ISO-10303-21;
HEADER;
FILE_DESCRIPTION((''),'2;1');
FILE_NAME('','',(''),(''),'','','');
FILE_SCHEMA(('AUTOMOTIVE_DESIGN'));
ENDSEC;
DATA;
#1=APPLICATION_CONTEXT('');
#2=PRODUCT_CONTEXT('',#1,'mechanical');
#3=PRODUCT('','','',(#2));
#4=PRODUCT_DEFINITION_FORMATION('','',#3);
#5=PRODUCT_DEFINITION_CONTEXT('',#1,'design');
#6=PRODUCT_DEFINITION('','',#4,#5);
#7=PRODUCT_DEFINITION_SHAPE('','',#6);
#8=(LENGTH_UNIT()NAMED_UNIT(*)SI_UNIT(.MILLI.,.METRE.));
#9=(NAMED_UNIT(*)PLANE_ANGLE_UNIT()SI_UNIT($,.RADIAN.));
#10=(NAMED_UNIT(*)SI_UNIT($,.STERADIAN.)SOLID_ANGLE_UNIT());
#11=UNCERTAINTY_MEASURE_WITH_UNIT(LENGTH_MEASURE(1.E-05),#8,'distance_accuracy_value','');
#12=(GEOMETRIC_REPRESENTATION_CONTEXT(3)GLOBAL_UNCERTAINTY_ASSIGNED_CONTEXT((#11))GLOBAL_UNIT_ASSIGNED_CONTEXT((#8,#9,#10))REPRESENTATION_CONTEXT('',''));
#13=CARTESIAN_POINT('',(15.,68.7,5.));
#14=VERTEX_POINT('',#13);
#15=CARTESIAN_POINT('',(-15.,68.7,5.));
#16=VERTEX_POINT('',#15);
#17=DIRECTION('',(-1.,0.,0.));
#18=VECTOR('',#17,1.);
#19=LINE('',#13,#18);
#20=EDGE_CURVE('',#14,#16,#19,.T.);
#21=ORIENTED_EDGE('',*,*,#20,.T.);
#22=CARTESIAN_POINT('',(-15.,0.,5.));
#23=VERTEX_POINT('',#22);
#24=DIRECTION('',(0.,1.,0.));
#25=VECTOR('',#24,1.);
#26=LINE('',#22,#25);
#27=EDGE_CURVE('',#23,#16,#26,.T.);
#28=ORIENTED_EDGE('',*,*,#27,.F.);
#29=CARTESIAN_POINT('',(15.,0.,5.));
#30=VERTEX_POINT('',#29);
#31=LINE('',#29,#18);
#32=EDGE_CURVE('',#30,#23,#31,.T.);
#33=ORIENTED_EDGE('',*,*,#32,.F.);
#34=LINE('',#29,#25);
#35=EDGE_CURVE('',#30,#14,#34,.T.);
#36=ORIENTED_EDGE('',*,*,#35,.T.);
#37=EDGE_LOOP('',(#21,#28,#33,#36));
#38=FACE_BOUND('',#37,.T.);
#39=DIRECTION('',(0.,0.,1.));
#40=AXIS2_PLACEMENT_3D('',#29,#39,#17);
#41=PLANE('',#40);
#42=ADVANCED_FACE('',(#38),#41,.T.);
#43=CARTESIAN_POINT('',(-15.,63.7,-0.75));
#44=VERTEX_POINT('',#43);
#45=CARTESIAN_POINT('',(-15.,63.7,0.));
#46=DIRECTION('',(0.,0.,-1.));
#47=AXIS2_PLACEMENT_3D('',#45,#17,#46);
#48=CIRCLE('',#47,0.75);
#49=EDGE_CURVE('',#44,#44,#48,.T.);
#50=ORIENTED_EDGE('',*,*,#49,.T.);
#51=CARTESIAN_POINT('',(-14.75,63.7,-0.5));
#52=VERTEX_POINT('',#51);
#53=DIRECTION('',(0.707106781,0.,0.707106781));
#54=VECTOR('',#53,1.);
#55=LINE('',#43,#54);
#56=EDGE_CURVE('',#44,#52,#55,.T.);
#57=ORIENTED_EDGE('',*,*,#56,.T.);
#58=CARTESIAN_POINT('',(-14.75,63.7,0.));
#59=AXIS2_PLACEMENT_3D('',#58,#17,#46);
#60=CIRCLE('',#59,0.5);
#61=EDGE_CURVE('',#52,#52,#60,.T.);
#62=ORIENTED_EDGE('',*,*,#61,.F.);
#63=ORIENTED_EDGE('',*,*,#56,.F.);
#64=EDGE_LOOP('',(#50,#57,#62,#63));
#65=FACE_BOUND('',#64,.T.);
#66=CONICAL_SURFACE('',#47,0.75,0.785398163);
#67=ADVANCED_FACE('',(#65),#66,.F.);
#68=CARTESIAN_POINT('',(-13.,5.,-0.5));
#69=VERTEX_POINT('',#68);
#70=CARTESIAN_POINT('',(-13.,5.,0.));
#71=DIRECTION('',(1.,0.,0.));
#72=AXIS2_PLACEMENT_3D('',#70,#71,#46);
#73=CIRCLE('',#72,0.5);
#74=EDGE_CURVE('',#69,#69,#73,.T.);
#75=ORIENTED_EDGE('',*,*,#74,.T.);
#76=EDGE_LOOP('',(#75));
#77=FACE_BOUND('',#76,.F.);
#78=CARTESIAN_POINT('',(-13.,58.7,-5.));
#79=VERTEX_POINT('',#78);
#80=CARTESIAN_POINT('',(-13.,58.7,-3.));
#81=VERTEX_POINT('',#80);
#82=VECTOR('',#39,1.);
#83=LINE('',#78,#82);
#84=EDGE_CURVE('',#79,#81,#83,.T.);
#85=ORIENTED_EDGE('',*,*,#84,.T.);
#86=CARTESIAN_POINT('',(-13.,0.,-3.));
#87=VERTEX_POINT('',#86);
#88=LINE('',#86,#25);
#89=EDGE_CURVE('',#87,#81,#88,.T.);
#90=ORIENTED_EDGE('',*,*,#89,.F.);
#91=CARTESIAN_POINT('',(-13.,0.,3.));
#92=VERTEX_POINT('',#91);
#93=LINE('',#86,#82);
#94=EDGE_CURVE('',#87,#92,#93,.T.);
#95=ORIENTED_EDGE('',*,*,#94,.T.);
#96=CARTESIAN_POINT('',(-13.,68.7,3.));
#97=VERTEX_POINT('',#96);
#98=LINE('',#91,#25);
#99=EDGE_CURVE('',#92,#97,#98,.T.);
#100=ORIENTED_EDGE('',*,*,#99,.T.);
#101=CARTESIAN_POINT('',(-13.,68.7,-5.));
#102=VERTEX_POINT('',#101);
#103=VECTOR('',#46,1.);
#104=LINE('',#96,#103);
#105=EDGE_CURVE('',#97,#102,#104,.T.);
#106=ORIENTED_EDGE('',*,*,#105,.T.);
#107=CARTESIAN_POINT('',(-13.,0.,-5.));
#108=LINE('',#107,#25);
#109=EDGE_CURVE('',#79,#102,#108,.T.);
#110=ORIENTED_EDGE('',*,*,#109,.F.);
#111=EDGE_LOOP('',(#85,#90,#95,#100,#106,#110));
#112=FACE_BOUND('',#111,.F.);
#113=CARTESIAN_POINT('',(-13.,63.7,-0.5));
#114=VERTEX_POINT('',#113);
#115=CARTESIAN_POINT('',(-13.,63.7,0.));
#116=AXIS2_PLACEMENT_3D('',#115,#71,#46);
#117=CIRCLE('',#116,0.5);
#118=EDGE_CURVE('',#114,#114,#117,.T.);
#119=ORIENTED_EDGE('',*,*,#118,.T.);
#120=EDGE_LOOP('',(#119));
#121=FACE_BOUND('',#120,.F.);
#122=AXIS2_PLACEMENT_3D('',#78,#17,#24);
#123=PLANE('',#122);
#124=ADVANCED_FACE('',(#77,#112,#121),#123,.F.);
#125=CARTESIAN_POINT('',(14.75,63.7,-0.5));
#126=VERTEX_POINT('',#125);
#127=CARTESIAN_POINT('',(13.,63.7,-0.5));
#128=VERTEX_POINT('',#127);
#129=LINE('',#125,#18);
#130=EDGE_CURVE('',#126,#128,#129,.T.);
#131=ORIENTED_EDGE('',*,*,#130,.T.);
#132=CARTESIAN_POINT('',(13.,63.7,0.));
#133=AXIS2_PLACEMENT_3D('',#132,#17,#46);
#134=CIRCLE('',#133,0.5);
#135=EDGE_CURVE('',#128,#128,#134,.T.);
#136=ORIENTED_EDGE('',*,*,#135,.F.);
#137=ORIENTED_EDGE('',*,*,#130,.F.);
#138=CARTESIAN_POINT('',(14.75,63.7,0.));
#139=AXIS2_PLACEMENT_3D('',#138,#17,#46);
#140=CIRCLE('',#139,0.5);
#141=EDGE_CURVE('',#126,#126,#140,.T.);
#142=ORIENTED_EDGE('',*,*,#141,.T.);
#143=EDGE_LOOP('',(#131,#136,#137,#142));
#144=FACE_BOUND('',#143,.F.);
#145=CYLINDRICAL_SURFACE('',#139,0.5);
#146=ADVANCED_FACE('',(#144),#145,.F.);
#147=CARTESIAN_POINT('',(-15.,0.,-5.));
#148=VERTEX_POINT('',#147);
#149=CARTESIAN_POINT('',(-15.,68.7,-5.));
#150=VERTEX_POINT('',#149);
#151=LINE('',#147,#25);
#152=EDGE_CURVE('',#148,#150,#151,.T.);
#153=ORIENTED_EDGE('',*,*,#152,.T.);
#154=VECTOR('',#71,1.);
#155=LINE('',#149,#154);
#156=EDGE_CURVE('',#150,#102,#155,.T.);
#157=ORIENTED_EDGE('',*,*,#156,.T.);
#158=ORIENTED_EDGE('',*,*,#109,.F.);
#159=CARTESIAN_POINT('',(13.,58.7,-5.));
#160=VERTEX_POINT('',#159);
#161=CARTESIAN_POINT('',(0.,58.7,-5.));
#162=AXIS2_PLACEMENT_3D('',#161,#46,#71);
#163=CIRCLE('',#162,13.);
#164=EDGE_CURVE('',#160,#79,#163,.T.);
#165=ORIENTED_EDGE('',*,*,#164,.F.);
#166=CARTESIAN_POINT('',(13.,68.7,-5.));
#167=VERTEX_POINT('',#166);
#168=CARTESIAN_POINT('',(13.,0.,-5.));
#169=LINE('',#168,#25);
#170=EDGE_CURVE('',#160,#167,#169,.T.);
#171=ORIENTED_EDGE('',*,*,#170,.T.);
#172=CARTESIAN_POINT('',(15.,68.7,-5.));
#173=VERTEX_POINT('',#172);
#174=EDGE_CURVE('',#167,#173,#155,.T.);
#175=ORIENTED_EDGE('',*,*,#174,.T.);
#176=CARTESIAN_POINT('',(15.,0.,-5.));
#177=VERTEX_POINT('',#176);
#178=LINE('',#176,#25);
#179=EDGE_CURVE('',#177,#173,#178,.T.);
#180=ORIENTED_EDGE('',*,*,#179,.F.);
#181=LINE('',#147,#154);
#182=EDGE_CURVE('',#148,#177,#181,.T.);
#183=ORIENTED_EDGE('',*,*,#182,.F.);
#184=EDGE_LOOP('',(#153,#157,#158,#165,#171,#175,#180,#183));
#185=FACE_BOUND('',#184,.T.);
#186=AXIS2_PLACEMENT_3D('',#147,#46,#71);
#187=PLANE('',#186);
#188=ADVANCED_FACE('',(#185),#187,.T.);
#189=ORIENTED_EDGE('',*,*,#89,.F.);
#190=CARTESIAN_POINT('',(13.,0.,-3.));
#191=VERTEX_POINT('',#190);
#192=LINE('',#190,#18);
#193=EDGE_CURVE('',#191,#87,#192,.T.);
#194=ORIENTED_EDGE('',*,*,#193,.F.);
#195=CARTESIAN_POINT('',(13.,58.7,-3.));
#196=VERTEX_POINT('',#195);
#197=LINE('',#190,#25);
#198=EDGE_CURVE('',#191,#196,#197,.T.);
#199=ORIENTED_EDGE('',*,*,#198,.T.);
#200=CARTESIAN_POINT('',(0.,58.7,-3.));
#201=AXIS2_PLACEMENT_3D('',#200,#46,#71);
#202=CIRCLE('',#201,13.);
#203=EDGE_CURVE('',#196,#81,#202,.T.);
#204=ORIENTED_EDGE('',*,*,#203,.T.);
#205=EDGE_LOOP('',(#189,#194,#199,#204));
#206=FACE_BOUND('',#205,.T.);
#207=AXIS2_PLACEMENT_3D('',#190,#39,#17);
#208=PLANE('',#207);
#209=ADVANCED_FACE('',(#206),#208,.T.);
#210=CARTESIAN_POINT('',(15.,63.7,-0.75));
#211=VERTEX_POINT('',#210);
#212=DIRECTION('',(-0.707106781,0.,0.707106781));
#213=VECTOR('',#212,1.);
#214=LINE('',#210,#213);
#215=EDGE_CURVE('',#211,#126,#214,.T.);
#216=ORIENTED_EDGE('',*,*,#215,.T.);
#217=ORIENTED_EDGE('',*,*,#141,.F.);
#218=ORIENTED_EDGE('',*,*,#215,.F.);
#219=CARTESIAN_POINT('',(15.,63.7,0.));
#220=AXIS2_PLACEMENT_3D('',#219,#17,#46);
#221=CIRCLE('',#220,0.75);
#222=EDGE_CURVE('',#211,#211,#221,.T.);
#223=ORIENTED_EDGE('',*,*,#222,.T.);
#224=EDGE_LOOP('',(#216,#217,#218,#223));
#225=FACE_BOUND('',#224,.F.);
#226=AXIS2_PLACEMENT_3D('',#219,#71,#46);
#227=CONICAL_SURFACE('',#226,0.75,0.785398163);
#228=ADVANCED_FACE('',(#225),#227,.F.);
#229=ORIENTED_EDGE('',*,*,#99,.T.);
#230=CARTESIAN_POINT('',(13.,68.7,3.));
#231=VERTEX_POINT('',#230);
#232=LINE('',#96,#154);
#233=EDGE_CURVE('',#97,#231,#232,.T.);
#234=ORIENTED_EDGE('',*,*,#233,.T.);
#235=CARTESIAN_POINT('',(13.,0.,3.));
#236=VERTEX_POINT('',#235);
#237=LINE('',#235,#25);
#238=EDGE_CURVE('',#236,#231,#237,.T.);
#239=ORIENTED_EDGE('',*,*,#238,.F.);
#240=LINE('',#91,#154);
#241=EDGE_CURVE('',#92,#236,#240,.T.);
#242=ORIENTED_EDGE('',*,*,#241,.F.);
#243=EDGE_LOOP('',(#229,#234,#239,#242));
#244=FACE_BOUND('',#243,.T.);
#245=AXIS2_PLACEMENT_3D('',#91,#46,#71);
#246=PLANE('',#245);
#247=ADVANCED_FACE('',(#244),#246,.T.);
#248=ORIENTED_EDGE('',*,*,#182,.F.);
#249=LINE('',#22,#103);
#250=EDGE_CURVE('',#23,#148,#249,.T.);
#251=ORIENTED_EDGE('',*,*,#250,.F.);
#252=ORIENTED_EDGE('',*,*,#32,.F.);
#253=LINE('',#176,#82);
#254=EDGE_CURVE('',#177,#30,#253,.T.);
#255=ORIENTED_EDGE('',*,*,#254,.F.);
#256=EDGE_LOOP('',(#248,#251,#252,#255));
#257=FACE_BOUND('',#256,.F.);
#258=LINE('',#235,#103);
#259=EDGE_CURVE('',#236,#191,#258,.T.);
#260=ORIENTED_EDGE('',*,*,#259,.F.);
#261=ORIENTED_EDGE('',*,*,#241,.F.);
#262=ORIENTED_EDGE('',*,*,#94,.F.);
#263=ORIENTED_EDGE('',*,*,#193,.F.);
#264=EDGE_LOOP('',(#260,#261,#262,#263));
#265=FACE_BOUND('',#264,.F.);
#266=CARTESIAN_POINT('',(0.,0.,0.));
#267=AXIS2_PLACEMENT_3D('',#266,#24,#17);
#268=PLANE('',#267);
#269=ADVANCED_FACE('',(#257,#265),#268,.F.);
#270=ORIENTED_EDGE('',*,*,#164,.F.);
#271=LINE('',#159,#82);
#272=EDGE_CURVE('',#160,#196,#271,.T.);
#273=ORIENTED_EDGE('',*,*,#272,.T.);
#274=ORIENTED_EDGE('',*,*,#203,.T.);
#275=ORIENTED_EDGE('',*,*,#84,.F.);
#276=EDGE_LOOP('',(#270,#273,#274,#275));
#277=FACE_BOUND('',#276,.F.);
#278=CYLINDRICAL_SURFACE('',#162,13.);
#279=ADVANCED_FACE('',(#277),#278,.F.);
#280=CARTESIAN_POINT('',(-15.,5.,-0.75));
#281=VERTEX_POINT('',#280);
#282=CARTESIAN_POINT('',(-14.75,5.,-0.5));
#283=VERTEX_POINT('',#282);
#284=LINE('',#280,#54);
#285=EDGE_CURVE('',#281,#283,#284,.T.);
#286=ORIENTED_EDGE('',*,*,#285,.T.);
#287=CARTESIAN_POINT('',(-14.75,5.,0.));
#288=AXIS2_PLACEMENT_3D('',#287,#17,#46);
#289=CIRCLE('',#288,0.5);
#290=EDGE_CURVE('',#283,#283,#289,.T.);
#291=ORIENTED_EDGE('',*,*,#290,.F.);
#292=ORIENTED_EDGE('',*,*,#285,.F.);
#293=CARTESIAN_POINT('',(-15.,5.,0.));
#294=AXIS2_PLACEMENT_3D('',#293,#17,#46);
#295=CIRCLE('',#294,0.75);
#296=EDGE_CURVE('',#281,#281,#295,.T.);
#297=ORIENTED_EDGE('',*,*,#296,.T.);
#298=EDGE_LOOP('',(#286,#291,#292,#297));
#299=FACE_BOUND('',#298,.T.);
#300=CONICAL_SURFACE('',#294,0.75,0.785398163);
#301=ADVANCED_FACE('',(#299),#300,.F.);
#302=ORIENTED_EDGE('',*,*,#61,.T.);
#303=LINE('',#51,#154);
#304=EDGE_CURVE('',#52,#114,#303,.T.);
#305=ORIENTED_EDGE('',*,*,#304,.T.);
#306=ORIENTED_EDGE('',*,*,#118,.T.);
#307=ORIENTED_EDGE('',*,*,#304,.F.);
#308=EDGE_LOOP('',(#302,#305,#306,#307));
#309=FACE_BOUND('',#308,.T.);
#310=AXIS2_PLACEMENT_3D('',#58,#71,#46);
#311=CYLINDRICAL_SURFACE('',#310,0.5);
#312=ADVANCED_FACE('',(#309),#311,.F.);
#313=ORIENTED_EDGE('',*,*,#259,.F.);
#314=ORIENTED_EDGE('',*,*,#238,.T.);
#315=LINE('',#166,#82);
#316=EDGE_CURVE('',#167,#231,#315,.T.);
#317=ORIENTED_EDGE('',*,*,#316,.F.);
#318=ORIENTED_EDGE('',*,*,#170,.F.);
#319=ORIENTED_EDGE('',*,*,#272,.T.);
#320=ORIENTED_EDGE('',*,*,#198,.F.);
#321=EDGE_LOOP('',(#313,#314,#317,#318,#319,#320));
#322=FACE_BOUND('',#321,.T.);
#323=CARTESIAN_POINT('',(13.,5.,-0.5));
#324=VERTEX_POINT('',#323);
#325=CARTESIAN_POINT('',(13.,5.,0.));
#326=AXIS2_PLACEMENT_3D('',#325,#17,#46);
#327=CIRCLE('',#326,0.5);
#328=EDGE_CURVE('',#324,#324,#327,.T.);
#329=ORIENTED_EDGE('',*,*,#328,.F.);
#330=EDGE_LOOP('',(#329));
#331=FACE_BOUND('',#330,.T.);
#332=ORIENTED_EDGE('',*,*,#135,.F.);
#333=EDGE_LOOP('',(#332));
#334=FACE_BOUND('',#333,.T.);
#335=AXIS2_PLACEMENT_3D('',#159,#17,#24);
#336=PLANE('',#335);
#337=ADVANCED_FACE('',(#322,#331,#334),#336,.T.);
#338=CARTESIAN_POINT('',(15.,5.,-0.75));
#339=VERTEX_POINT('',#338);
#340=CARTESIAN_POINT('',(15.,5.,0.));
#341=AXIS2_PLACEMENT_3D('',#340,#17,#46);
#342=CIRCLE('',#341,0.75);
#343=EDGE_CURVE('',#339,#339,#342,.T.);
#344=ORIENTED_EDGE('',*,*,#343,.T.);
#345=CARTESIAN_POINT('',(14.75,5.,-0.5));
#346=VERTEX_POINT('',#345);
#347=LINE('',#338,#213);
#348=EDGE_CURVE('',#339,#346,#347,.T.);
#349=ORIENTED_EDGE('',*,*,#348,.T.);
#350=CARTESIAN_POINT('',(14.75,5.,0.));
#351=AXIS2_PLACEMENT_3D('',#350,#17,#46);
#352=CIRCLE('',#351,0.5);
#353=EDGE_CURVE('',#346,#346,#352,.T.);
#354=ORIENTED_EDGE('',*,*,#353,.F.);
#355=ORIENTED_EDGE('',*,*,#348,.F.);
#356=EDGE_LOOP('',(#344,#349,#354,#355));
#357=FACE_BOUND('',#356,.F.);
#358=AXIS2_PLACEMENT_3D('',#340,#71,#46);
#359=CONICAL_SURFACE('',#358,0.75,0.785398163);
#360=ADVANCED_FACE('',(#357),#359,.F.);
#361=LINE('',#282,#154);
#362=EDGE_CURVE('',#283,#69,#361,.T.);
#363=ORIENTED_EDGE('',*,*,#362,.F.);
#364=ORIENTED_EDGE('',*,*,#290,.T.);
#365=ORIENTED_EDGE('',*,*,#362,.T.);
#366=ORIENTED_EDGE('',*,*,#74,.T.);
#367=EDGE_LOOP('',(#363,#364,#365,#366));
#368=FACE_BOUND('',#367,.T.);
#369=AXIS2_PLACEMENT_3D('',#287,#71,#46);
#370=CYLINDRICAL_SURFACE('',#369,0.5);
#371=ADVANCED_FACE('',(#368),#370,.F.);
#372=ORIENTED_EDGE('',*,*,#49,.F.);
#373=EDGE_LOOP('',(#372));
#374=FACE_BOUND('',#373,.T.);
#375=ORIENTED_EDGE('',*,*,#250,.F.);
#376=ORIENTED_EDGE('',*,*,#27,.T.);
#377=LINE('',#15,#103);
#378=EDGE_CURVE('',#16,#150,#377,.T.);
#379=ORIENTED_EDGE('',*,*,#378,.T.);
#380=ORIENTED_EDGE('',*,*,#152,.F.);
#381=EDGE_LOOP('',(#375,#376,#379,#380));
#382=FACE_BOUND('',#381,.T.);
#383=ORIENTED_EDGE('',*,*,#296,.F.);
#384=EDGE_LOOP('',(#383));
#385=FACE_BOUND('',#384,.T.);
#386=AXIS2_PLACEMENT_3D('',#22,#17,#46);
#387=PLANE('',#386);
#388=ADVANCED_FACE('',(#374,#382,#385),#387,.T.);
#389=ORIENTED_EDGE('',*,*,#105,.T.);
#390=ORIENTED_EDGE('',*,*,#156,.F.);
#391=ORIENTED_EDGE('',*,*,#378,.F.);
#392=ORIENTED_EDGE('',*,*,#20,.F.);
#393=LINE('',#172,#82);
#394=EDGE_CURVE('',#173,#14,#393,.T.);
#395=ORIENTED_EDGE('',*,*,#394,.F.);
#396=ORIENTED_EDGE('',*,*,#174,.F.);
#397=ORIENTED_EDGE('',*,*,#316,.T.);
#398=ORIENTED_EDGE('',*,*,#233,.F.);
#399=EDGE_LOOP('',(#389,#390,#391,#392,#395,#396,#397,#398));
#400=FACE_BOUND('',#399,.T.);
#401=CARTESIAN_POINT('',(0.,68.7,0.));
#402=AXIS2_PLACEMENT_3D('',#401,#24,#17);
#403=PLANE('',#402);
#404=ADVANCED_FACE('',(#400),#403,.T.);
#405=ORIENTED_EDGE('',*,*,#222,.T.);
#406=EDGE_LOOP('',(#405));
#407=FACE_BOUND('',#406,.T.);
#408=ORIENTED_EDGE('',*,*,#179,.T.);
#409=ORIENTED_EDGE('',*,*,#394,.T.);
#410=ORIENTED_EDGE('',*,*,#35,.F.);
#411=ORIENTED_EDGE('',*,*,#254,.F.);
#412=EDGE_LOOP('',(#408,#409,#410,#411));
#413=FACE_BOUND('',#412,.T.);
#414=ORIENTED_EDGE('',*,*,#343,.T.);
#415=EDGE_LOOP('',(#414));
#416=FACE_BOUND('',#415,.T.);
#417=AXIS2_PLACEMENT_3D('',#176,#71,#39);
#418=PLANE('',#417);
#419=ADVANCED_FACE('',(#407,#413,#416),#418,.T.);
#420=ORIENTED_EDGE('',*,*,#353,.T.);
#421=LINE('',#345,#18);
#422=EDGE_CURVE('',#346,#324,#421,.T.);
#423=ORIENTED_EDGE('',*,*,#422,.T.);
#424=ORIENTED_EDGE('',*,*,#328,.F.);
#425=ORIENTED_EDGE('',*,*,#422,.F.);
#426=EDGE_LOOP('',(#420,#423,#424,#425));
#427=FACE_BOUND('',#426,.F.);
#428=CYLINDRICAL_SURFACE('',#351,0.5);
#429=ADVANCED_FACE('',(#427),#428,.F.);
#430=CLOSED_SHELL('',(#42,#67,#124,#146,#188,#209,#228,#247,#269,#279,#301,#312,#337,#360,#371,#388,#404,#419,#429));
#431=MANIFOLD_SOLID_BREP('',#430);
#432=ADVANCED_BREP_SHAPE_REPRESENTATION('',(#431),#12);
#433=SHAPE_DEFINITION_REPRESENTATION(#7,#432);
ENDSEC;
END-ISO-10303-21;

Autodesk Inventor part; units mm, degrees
ref_plane "YZ Plane" through (0, 0, 0) normal (1, 0, 0) x (0, 1, 0)
ref_plane "XZ Plane" through (0, 0, 0) normal (0, 1, 0) x (-1, 0, 0)
ref_plane "XY Plane" through (0, 0, 0) normal (0, 0, 1) x (1, 0, 0)
sketch "Эскиз1" plane through (0, 0, 0) normal (0, 1, 0) x (-1, 0, 0)
  line L0 (15, -5) -> (-15, -5)
  line L1 (-15, -5) -> (-15, 5)
  line L2 (-15, 5) -> (15, 5)
  line L3 (15, 5) -> (15, -5)
  line L4 (-15, -5) -> (15, 5) construction
  line L5 (15, -5) -> (-15, 5) construction
  line L6 (-13, -3) -> (13, -3)
  line L7 (13, -3) -> (13, 3)
  line L8 (13, 3) -> (-13, 3)
  line L9 (-13, 3) -> (-13, -3)
  point P0 (0, 0)
  point P1 (0, 0)
  dimension "d0" = 30
  dimension "d1" = 10
  dimension "d2" = 2
extrude "Выдавливание1" add sketch "Эскиз1" along normal blind 68.7
sketch "Эскиз2" plane through (15, 0, 5) normal (1, 0, 0) x (0, 0, -1)
  line L0 (0, 68.7) -> (10, 68.7) construction
  line L1 (10, 68.7) -> (0, 58.7) construction
  line L2 (0, 0) -> (0, 68.7) construction
  line L3 (0, 68.7) -> (10, 58.7) construction
  line L4 (10, 0) -> (10, 68.7) construction
  line L5 (10, 0) -> (0, 10) construction
  line L6 (0, 0) -> (10, 10) construction
  circle A0 centre (5, 63.7) radius 0.5
  circle A1 centre (5, 5) radius 0.5
  point P0 (5, 0)
  dimension "d5" = 1
  dimension "d6" = 1
sketch "Эскиз3" plane through (15, 0, -5) normal (0, 0, -1) x (-1, 0, 0)
  line L0 (0, 0) -> (0, 68.7) projected
  line L1 (30, 0) -> (30, 68.7) projected
  line L2 (30, 0) -> (30, 68.7) projected
  line L3 (0, 0) -> (0, 68.7) projected
  line L4 (0, 68.7) -> (30, 68.7) projected
  arc A0 (2, 58.7) -> (28, 58.7) centre (15, 58.7) ccw
  line L5 (28, 0) -> (28, 68.7) projected
  line L6 (2, 0) -> (2, 68.7) projected
  line L7 (28, 0) -> (28, 68.7) projected
  line L8 (28, 58.7) -> (28, 68.7)
  line L9 (28, 68.7) -> (2, 68.7)
  line L10 (2, 58.7) -> (2, 68.7)
  point P0 (15, 0)
  dimension "d10" = 10
extrude "Выдавливание3" cut sketch "Эскиз3" against normal up to surface (2 mm away)
hole "Отверстие1" at (15, 63.7, 0) at (15, 5, 0) direction (-1, 0, 0) diameter 1 depth 15 countersink diameter 1.5 countersink angle 90
mirror "Зеркальное отражение1" about plane through (0, 0, 0) normal (1, 0, 0) of "Отверстие1"
properties part number "board-1-new"
